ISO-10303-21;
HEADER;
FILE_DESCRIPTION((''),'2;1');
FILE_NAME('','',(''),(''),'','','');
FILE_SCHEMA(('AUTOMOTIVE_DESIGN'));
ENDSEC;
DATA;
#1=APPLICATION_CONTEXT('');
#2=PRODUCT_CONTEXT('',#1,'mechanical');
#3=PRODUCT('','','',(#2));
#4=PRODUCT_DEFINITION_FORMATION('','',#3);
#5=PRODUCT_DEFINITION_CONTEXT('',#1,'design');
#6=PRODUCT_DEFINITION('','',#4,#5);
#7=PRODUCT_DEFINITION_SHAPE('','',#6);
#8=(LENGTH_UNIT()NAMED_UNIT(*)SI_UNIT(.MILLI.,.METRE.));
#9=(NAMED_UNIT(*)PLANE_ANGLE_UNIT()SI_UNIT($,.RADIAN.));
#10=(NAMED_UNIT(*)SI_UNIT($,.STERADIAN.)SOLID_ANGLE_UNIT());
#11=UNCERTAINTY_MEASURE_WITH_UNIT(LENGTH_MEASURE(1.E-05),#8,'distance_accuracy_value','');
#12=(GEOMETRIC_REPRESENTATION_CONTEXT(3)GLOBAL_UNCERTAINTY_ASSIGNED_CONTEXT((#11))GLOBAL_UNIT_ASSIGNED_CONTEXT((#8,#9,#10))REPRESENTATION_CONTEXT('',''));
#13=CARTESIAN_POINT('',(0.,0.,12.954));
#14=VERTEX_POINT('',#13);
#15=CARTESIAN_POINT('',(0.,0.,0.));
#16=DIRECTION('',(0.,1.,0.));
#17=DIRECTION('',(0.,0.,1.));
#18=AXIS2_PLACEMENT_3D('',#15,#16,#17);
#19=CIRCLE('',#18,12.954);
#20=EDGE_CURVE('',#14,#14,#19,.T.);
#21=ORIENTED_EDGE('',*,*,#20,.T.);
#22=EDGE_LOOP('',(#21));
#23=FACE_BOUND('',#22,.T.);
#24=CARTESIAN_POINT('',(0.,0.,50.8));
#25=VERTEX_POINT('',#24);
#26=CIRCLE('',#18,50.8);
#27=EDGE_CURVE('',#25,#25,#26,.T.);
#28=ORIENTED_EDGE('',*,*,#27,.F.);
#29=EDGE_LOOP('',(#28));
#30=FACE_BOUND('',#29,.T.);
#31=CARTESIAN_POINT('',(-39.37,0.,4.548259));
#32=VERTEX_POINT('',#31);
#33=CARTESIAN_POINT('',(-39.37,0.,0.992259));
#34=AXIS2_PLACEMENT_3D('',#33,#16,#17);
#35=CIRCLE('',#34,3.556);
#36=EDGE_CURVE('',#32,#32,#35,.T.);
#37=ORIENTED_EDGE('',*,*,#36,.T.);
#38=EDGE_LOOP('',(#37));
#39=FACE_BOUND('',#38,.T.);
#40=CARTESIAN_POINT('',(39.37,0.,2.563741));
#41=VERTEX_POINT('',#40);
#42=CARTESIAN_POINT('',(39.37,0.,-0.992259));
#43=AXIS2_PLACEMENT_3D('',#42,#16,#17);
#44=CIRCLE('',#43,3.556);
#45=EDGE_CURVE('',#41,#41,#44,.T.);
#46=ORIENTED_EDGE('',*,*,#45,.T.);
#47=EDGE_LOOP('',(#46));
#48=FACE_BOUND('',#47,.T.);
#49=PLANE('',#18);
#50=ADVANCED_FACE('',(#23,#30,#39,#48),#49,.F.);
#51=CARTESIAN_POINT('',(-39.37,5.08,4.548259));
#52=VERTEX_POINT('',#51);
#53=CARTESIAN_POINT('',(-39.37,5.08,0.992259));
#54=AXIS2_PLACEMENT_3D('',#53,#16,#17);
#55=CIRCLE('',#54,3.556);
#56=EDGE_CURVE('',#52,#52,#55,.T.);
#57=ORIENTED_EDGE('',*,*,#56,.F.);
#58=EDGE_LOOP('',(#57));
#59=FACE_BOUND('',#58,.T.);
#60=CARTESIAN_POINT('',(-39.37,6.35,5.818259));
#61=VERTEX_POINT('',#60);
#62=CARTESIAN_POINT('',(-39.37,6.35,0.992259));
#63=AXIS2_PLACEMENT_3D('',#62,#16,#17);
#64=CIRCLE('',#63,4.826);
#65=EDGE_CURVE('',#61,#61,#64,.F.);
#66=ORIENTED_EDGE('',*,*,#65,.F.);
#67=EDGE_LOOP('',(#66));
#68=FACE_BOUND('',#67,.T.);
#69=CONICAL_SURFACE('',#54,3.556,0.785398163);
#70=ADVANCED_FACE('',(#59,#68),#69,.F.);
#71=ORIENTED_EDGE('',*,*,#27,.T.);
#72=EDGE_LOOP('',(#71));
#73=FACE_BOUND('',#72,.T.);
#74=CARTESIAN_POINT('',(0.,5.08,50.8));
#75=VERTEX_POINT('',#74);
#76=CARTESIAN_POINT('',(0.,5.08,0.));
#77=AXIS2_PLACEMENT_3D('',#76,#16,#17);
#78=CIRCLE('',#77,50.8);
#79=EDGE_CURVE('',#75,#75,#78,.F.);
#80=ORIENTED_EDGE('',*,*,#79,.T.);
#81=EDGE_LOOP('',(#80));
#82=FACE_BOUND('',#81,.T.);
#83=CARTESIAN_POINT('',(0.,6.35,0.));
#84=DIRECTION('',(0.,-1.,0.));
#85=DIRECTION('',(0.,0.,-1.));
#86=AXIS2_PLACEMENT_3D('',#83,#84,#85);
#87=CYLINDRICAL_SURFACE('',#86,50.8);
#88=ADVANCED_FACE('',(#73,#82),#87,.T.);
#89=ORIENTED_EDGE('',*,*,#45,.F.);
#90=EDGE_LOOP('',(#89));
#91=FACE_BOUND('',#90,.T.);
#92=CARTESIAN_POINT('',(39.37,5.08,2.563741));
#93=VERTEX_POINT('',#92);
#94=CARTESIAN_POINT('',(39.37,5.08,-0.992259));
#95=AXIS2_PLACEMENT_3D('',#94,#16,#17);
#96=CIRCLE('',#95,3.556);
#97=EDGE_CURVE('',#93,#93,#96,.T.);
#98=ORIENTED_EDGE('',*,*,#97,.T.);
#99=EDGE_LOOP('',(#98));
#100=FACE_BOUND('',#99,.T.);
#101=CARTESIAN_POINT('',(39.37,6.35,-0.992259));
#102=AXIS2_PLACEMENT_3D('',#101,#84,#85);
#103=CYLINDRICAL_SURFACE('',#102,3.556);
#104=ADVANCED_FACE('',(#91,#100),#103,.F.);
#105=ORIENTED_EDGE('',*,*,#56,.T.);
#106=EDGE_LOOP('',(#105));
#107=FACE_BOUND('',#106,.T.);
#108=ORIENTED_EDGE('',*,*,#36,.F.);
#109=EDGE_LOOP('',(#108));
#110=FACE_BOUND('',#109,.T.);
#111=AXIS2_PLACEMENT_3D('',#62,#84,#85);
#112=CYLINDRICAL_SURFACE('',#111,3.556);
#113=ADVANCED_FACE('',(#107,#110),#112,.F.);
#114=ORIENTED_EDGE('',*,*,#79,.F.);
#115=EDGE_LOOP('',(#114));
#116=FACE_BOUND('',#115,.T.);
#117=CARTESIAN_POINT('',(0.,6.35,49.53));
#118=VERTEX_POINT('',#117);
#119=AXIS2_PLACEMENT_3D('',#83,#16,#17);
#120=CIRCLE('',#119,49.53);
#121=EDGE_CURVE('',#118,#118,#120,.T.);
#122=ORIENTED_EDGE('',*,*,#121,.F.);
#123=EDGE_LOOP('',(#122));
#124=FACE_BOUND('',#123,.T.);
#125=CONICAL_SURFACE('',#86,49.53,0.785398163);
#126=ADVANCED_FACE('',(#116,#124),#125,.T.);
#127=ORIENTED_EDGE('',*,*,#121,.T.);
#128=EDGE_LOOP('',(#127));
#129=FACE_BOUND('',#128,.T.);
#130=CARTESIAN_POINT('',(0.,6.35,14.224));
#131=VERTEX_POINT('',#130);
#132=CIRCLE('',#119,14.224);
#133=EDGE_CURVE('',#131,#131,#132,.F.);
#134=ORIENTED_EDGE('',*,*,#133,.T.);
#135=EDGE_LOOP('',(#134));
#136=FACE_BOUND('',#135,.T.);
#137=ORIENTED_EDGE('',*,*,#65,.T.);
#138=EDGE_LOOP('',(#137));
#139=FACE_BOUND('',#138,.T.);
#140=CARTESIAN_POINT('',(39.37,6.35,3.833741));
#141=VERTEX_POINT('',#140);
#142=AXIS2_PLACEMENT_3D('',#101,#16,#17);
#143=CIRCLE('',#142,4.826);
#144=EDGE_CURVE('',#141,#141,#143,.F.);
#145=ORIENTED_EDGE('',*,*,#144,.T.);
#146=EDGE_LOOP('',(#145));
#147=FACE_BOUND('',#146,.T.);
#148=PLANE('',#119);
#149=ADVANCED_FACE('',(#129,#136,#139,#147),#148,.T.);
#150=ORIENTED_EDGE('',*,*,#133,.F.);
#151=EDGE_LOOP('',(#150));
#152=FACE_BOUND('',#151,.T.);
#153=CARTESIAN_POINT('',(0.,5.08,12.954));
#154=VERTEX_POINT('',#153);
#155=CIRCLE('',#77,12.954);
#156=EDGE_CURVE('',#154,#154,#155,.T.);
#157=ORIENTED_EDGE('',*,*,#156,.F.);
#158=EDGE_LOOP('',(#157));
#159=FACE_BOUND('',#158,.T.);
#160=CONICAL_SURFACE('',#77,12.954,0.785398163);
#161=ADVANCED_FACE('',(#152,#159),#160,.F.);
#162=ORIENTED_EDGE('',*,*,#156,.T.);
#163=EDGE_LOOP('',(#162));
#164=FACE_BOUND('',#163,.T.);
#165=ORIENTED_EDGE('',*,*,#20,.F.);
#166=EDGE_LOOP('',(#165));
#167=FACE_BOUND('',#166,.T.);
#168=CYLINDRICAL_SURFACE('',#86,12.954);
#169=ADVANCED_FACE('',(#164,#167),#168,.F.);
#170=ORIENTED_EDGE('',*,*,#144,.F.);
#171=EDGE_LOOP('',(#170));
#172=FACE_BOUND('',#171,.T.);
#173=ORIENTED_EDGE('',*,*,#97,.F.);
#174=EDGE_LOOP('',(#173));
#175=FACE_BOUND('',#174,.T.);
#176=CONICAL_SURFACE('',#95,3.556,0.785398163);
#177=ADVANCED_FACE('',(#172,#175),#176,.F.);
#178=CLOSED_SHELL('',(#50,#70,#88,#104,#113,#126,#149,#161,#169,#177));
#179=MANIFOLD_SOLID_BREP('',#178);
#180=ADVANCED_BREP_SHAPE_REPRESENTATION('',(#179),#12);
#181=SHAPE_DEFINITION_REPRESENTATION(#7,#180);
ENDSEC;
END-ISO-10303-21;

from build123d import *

# Parameters (mm, degrees)
SKETCH1_R           = 50.8
SKETCH1_R_2         = 3.556
SKETCH1_R_3         = 12.954
BOSS_EXTRUDE1_DEPTH = 6.35
CHAMFER1_SIZE       = 1.27


with BuildPart() as part:
    # Sketch1 → Boss-Extrude1 (new body)
    with BuildSketch(Plane(origin=(0, 0, 0), x_dir=(1, 0, 0), z_dir=(0, 1, 0))):
        Circle(SKETCH1_R)
        with Locations((-39.37, -0.992258715)):
            Circle(SKETCH1_R_2, mode=Mode.SUBTRACT)
        Circle(SKETCH1_R_3, mode=Mode.SUBTRACT)
        with Locations((39.37, 0.992258715)):
            Circle(SKETCH1_R_2, mode=Mode.SUBTRACT)
    extrude(amount=BOSS_EXTRUDE1_DEPTH)

    # Chamfer1
    chamfer1_edges = [part.edges().sort_by_distance(p)[0] for p in [
        (35.814, 6.35, -0.992258715),
        (-50.8, 6.35, 0),
        (-42.926, 6.35, 0.992258715),
        (-12.954, 6.35, 0),
    ]]
    chamfer(chamfer1_edges, length=CHAMFER1_SIZE)


solid = part.part
